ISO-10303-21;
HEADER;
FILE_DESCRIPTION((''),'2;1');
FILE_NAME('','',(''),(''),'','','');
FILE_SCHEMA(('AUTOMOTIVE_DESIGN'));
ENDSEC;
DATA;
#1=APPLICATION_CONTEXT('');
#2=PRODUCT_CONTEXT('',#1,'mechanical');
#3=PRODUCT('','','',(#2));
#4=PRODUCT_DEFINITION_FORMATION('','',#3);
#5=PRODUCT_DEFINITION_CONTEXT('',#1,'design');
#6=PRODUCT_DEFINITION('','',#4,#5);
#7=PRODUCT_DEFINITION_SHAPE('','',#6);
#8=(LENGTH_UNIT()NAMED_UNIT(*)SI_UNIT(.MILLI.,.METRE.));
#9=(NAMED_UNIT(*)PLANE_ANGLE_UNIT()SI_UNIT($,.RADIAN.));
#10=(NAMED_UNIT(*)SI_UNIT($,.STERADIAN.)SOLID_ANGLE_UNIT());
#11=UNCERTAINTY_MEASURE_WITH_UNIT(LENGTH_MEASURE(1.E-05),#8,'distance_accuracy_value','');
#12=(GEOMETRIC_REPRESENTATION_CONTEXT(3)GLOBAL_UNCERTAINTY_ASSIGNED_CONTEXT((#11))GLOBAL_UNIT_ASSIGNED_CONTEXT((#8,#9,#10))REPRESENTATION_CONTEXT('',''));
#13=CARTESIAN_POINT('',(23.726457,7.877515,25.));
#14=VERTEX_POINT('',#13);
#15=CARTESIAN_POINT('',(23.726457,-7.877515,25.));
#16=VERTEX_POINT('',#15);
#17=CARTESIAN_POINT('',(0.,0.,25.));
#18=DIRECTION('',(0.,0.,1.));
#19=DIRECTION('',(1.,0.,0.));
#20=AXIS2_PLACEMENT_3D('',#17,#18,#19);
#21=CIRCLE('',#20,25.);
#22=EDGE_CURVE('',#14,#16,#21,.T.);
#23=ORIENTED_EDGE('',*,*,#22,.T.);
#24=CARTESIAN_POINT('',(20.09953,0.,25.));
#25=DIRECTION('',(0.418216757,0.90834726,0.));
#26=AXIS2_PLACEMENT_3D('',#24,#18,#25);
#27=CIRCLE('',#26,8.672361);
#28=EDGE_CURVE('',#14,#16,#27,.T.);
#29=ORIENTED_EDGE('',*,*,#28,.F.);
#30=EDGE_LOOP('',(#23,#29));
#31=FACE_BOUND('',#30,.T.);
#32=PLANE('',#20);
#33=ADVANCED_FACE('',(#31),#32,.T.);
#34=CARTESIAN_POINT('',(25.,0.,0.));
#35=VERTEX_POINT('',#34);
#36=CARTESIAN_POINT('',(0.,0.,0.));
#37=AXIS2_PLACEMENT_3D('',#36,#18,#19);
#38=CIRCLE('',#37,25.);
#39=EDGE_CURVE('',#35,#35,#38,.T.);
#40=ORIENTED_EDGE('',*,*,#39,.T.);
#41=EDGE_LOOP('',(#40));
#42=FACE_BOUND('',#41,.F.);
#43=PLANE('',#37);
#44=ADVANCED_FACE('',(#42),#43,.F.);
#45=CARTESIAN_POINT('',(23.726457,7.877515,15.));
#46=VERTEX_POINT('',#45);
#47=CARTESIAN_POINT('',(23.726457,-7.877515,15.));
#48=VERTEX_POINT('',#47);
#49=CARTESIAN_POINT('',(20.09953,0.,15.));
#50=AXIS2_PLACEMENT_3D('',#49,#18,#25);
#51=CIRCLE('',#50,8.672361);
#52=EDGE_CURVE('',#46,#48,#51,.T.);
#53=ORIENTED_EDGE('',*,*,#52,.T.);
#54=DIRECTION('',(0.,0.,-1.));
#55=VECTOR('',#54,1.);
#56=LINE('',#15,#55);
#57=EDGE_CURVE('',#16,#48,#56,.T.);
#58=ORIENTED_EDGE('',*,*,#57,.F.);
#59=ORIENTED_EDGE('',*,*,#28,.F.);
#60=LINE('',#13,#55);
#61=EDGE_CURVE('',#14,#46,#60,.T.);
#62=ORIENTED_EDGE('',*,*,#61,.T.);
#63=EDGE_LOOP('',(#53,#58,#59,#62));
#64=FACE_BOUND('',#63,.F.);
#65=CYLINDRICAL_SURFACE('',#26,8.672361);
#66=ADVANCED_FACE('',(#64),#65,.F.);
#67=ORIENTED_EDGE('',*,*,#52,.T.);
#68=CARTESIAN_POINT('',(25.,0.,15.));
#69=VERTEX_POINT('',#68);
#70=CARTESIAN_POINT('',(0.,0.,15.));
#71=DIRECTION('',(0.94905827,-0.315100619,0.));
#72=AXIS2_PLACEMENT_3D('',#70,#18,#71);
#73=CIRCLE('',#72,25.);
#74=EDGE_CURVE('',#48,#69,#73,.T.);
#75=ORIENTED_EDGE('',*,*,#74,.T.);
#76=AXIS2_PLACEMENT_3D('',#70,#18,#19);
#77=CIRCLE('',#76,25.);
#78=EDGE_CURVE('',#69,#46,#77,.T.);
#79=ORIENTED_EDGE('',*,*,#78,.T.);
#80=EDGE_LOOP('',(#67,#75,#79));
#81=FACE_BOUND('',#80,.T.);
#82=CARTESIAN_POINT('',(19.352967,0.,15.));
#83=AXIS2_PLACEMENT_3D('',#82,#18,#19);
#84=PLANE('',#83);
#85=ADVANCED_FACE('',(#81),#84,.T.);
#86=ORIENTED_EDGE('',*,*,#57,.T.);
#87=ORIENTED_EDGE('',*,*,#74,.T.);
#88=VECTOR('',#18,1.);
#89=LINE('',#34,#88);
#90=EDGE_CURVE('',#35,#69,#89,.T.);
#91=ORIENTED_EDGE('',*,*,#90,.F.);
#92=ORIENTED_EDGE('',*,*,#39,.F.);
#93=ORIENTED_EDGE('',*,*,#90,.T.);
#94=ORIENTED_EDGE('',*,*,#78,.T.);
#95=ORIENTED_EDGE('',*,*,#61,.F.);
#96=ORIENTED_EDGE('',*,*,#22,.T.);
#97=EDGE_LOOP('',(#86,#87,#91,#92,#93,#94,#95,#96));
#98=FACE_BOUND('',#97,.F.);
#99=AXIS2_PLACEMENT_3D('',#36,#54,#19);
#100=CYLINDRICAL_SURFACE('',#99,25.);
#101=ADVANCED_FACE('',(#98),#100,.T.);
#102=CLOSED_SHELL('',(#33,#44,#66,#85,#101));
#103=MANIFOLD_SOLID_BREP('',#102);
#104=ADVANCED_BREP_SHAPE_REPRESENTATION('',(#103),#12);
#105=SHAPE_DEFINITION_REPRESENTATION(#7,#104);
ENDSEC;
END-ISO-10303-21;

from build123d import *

# Parameters (mm, degrees)
F0_R     = 25
F1_DEPTH = 25
F3_DEPTH = 10


with BuildPart() as f1:
    # F0 (on Top) → F1 (new body)
    with BuildSketch(Plane.XY):
        Circle(F0_R)
    extrude(amount=F1_DEPTH)

    # F2 (on face) → F3 (cut)
    with BuildSketch(Plane.XY.offset(25)):
        with BuildLine():
            ThreePointArc((25, 0), (24.6795605585, 3.9898985754), (23.7264567487, 7.877515481))
            ThreePointArc((23.7264567487, 7.877515481), (11.4271688521, 0), (23.7264567487, -7.877515481))
            ThreePointArc((23.7264567487, -7.877515481), (24.6795605585, -3.9898985754), (25, 0))
        make_face()
    extrude(amount=-F3_DEPTH, mode=Mode.SUBTRACT)


solid = f1.part
